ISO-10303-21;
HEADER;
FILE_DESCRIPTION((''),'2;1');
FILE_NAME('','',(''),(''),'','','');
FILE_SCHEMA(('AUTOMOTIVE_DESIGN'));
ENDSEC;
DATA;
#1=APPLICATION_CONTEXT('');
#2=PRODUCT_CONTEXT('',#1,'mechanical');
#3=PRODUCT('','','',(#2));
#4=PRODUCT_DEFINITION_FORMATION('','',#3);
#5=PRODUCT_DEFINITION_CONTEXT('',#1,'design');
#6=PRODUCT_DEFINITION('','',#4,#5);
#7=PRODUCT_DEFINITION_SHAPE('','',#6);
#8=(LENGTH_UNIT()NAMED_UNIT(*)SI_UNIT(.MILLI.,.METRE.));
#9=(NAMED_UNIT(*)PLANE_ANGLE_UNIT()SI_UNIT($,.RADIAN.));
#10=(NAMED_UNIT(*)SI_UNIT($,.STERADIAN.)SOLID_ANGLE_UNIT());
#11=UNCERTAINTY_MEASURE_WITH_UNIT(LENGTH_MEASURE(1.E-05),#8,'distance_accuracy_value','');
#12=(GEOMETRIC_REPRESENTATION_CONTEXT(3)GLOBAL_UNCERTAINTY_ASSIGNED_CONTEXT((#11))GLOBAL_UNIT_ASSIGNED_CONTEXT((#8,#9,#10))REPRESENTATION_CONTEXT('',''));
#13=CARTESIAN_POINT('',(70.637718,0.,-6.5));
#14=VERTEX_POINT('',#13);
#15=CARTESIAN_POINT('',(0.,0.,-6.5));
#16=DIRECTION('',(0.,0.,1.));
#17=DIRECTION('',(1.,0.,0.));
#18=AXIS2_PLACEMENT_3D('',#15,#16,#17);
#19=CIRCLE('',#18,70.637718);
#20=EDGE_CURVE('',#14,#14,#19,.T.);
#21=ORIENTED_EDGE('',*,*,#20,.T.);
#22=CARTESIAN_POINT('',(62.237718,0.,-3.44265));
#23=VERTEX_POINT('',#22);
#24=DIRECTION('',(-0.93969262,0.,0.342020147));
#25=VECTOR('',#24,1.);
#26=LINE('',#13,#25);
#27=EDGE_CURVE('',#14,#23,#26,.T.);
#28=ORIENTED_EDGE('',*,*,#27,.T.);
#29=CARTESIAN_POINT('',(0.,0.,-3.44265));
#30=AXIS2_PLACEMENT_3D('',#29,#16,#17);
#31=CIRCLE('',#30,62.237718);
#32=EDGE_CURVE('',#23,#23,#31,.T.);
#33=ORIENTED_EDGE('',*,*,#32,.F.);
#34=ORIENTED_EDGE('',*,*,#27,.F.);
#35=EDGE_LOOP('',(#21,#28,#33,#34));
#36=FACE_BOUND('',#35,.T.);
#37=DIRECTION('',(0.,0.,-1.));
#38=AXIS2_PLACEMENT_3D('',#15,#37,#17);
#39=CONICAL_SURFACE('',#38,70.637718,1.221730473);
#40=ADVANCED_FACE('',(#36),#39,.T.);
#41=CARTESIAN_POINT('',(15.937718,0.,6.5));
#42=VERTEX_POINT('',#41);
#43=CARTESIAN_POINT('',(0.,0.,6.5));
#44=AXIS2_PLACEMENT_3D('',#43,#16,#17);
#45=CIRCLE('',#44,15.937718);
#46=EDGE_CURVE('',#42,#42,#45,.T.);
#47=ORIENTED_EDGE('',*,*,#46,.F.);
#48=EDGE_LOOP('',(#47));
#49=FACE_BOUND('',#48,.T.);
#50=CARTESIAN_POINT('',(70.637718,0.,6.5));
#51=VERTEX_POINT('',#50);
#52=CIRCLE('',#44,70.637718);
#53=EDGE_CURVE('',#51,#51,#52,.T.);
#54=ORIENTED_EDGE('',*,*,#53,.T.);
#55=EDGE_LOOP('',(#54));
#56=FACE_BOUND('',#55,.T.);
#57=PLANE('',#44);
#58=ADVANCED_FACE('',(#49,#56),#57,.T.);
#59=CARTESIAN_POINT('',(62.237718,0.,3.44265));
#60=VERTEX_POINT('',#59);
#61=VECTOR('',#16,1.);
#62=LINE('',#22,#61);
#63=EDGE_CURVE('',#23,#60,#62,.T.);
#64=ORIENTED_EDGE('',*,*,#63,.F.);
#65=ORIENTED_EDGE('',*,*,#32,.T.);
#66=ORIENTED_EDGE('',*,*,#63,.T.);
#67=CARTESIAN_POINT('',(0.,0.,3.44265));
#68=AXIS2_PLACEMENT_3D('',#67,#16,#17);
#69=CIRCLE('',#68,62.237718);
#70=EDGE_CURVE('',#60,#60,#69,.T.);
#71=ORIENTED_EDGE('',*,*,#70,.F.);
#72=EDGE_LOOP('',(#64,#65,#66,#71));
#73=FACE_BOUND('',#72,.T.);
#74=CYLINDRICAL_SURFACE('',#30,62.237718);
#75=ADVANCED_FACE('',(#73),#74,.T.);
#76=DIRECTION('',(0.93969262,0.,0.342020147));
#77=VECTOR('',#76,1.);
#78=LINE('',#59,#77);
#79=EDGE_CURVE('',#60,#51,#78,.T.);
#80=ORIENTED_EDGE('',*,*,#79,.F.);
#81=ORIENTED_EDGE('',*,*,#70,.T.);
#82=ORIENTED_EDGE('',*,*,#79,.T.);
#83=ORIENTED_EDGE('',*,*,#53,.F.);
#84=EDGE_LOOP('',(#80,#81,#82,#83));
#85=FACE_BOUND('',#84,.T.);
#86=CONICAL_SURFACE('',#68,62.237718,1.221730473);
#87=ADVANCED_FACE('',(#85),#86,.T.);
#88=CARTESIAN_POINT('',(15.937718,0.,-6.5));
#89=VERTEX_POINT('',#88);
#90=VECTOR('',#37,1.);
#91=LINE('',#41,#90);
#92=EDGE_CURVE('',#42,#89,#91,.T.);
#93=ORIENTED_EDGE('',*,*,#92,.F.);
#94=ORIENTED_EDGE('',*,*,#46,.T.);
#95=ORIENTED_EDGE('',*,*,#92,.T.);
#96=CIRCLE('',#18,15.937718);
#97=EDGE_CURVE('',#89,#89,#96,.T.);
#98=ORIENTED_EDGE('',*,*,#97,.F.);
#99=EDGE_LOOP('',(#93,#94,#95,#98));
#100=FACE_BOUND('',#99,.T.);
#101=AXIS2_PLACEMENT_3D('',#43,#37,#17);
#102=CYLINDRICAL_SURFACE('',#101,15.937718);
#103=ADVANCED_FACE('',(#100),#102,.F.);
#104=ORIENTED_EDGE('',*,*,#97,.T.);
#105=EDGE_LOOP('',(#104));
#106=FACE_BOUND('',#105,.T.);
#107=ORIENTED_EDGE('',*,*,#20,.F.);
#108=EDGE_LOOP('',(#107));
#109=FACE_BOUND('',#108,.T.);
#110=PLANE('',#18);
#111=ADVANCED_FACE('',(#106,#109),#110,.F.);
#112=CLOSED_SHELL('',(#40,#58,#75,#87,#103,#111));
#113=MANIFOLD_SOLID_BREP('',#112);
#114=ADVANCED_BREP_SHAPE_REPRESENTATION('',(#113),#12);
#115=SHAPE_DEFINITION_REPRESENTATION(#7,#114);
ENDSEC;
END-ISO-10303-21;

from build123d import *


with BuildPart() as part:
    # Sketch → Revolution (revolve)
    with BuildSketch(Plane.XZ):
        Polygon((15.937718, 6.5), (15.937718, -6.5), (70.637718, -6.5), (62.237718, -3.44265), (62.237718, 3.44265), (70.637718, 6.5), align=None)
    revolve(axis=Axis((0, 0, 0), (0, 0, 1)))


solid = part.part
